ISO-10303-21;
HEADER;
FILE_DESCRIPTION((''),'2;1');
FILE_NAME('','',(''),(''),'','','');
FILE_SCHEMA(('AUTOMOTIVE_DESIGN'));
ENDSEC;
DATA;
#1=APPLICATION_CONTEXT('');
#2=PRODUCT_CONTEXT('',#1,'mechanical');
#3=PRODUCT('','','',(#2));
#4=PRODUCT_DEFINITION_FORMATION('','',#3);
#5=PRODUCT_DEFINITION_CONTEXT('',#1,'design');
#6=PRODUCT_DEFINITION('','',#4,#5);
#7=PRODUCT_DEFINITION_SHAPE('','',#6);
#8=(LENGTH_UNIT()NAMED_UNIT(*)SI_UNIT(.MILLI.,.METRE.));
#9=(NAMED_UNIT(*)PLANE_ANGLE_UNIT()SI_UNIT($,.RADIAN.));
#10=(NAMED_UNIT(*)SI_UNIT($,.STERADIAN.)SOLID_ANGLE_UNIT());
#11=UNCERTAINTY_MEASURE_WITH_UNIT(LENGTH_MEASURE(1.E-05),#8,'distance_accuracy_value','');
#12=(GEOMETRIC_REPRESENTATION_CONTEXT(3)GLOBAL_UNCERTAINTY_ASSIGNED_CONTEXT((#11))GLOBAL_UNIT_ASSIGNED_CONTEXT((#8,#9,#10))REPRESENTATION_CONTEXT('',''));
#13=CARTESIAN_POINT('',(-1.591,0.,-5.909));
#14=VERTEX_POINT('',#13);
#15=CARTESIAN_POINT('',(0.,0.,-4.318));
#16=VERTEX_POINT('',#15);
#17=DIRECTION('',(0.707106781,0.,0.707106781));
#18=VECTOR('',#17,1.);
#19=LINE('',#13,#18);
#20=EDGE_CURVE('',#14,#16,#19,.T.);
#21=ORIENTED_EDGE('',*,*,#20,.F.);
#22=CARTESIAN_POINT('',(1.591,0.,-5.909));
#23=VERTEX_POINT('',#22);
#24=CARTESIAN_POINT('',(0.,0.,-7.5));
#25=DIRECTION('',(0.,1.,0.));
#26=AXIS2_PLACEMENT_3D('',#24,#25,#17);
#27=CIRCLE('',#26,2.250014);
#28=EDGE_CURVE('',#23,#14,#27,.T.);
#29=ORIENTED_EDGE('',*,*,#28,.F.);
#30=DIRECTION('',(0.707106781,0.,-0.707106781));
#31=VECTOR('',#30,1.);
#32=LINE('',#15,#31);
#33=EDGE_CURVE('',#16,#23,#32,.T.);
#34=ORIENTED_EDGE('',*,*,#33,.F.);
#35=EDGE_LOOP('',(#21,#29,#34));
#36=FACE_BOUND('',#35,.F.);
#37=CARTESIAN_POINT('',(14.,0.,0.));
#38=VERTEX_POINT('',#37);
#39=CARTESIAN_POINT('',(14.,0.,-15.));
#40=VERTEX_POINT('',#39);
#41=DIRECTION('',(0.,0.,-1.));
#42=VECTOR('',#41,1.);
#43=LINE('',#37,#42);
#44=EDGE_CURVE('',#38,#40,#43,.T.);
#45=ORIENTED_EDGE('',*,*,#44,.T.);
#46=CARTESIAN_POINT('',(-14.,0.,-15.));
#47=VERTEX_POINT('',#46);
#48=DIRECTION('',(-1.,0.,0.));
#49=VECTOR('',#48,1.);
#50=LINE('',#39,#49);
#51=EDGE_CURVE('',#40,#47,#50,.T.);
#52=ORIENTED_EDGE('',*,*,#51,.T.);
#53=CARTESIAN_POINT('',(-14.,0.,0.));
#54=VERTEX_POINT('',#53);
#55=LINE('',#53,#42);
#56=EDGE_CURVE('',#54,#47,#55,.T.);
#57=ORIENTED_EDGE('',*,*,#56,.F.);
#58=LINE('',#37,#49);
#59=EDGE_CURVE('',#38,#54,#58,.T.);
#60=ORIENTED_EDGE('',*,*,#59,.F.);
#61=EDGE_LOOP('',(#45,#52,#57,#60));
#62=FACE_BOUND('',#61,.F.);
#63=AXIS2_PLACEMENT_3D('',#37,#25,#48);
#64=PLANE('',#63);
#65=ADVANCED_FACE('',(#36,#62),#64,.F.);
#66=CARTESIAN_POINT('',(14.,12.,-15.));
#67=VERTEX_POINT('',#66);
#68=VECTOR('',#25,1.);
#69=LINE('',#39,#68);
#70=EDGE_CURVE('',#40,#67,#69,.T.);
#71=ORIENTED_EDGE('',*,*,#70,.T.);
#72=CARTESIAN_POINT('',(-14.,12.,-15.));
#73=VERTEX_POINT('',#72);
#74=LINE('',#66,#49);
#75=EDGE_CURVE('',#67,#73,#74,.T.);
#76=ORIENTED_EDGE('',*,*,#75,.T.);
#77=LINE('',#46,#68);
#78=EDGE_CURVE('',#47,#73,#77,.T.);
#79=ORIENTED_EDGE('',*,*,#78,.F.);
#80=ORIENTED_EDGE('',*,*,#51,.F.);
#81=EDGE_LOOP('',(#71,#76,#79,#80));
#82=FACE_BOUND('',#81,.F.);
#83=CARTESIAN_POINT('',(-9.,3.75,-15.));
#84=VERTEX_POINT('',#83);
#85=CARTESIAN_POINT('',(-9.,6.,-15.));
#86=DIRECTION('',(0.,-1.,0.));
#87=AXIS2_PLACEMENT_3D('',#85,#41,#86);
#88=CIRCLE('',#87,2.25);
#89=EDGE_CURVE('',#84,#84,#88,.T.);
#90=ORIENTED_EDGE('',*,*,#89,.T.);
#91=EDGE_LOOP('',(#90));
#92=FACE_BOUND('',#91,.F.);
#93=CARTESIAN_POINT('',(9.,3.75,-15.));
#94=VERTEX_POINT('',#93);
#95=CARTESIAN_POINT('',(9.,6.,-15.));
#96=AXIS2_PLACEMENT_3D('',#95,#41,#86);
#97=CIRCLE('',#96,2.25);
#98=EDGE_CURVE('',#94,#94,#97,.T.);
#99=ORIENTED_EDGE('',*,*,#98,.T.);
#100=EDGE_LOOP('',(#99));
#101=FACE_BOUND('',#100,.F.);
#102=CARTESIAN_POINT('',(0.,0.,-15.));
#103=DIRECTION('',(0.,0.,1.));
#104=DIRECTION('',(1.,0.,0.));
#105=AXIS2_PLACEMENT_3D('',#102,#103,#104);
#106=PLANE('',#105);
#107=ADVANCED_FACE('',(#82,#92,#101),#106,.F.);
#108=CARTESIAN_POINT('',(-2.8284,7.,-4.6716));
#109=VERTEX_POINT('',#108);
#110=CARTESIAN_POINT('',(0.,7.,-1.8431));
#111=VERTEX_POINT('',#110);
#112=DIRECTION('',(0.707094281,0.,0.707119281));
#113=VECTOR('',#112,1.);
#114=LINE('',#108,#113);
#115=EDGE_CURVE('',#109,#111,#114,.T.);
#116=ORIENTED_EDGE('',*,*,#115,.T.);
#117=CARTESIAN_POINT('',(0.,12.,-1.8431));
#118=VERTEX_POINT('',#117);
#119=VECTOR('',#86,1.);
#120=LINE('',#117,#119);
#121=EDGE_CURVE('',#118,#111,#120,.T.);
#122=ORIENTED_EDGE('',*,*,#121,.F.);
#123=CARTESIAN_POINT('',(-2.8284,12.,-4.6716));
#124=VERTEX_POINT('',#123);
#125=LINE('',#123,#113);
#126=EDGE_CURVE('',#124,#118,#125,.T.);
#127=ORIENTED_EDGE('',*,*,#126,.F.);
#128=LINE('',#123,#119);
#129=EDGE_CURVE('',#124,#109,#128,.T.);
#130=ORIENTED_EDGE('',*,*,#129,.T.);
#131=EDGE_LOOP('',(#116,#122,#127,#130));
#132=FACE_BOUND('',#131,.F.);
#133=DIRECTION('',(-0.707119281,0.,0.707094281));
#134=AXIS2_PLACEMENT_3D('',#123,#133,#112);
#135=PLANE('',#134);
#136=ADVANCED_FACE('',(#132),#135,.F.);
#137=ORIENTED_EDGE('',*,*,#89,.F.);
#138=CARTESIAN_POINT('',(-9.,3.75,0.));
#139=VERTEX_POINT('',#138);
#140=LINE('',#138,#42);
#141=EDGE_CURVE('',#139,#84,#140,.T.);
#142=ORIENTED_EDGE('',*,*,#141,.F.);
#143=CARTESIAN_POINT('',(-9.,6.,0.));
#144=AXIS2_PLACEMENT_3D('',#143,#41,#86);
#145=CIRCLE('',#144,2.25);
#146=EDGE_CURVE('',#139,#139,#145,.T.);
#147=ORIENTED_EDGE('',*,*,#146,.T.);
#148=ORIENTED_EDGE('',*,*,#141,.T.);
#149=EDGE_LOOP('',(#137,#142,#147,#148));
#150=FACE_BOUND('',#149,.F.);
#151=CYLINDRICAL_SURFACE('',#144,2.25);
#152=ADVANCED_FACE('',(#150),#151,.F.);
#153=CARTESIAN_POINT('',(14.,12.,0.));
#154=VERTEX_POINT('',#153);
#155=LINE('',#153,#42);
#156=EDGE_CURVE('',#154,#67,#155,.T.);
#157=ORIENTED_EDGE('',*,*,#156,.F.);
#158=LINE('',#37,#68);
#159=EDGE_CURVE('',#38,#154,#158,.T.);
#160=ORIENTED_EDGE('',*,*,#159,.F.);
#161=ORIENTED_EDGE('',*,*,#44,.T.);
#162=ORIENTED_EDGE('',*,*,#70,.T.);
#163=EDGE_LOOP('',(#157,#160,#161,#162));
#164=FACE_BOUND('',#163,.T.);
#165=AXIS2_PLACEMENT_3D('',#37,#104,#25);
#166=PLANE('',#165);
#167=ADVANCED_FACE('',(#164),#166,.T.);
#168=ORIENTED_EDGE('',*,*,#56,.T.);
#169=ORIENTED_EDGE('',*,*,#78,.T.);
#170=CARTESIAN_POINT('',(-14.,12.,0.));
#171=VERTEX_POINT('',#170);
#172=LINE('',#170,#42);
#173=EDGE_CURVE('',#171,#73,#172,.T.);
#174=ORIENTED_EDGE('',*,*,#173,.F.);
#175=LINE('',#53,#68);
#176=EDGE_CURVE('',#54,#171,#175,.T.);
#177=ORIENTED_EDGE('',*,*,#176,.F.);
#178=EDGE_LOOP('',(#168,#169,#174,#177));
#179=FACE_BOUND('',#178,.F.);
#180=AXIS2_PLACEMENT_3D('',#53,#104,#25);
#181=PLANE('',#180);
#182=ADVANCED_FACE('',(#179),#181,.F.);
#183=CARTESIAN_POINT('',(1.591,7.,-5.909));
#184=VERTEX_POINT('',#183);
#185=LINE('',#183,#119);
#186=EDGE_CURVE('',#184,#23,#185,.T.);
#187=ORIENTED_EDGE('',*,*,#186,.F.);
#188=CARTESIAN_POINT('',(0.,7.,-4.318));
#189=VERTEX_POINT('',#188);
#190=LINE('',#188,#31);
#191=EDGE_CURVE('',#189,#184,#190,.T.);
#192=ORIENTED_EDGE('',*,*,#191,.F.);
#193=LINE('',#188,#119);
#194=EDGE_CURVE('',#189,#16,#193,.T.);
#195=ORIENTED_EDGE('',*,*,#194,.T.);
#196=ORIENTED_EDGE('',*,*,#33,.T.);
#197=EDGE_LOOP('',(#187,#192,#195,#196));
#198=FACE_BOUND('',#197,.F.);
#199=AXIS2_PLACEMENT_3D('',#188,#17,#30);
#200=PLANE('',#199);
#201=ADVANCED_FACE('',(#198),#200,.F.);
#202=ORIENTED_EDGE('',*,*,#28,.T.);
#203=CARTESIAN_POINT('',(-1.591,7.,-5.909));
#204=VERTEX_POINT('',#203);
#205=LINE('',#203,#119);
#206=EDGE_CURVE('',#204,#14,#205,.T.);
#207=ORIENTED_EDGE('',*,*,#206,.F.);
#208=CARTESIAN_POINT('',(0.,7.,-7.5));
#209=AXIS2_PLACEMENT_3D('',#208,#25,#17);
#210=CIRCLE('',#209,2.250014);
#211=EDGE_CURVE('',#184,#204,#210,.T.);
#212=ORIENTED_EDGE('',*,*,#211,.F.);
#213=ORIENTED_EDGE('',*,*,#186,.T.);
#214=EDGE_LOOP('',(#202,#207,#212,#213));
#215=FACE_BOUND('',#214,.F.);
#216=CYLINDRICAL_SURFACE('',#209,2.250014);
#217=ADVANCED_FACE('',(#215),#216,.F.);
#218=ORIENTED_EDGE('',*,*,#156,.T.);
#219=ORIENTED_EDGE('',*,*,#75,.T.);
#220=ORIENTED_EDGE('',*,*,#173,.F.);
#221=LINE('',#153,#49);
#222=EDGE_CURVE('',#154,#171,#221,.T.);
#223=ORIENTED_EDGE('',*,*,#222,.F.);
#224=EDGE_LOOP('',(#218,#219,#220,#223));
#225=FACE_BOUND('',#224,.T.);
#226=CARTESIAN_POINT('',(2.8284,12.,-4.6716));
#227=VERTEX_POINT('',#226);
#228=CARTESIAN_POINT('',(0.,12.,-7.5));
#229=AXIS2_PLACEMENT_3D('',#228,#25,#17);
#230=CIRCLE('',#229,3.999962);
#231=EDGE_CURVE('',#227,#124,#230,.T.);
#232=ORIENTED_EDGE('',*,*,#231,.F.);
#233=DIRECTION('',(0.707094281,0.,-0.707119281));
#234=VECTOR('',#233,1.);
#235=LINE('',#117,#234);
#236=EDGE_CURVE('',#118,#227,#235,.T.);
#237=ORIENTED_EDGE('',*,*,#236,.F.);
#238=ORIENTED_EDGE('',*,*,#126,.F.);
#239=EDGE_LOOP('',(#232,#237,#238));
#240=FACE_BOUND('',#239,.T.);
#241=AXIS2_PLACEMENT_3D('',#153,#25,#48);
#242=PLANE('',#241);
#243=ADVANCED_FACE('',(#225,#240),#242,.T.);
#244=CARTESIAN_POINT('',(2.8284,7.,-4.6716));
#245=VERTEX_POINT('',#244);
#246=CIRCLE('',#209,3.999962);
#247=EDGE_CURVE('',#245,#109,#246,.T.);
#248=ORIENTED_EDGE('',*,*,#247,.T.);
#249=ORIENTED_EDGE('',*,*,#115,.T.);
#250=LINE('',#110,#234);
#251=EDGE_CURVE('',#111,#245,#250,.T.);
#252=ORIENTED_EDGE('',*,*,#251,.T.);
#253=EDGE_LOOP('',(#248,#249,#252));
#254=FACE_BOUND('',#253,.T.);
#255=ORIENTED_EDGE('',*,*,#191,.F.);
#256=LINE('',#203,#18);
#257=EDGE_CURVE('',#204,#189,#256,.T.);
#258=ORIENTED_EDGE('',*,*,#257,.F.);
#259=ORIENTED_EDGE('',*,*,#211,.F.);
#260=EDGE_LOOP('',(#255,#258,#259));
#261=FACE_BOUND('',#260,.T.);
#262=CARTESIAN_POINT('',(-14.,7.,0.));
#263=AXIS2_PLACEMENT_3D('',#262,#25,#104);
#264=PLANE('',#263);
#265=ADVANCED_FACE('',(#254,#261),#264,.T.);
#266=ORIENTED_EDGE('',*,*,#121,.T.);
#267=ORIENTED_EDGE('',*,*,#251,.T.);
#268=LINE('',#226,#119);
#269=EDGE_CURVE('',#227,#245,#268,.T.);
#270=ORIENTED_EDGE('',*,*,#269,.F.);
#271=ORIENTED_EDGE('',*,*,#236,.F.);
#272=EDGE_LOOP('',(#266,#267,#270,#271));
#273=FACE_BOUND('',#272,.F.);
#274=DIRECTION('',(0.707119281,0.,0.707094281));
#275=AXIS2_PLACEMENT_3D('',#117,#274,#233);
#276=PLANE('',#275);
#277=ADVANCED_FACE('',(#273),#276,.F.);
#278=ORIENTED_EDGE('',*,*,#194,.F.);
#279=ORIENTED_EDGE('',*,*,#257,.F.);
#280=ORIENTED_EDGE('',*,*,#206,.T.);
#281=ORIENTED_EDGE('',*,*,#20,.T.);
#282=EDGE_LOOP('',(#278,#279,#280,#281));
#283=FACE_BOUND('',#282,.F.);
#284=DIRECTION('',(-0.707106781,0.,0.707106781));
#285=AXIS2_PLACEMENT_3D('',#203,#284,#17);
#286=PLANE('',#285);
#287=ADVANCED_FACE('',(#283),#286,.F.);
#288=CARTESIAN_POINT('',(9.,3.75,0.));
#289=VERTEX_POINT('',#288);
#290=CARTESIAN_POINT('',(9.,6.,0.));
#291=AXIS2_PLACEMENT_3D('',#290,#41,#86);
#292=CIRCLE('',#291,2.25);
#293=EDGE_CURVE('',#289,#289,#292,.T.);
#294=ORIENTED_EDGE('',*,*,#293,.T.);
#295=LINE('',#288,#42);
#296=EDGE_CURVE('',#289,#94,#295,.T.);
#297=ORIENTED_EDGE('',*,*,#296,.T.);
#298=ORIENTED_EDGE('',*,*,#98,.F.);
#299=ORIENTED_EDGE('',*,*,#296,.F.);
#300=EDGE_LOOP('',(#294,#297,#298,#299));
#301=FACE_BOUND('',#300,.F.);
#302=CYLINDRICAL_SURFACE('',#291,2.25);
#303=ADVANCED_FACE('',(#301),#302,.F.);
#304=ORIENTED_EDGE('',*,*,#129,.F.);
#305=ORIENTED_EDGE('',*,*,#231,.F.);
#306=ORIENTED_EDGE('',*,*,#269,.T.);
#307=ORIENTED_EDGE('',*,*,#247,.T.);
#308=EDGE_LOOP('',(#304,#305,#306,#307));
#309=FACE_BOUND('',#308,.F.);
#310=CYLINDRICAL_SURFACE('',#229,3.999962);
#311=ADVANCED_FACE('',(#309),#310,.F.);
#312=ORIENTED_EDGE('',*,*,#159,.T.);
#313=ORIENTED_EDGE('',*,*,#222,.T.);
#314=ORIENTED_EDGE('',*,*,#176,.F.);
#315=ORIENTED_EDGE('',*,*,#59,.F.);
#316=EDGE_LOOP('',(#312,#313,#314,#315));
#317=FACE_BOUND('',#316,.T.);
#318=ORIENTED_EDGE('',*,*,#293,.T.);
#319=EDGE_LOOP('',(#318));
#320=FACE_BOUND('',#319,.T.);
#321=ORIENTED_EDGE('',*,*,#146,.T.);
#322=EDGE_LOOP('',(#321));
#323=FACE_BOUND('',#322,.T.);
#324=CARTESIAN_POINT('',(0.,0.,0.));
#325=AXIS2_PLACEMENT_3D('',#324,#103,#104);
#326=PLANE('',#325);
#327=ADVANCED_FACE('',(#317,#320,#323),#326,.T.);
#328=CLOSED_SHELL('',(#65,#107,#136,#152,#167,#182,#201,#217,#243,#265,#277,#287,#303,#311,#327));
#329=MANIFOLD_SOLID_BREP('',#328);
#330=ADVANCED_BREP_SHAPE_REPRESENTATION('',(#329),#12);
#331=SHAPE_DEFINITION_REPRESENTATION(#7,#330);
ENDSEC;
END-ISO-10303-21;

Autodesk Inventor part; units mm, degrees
ref_plane "YZ Plane" through (0, 0, 0) normal (1, 0, 0) x (0, 1, 0)
ref_plane "XZ Plane" through (0, 0, 0) normal (0, 1, 0) x (-1, 0, 0)
ref_plane "XY Plane" through (0, 0, 0) normal (0, 0, 1) x (1, 0, 0)
sketch "Sketch1" plane through (0, 0, 0) normal (0, 0, 1) x (1, 0, 0)
  line L0 (-14, 0) -> (-14, 12)
  line L1 (14, 0) -> (14, 12)
  line L2 (14, 0) -> (-14, 0)
  line L3 (14, 12) -> (-14, 12)
extrude "Extrusion3" add sketch "Sketch1" against normal blind 15 draft 0
sketch "Sketch2" plane through (-14, 12, 0) normal (0, 1, 0) x (1, 0, 0)
  arc A0 (16.8284, 4.6716) -> (11.1716, 4.6716) centre (14, 7.5) ccw
  line L0 (11.1716, 4.6716) -> (14, 1.8431)
  line L1 (14, 1.8431) -> (16.8284, 4.6716)
extrude "Extrusion2" cut sketch "Sketch2" against normal blind 5
sketch "Sketch3" plane through (-14, 7, 0) normal (0, 1, 0) x (1, 0, 0)
  arc A0 (15.591, 5.909) -> (12.409, 5.909) centre (14, 7.5) ccw
  line L0 (12.409, 5.909) -> (14, 4.318)
  line L1 (14, 4.318) -> (15.591, 5.909)
extrude "Extrusion1" cut sketch "Sketch3" against normal blind 7
hole "Hole2" at (9, 6, 0) direction (0, 0, -1) diameter 4.5 depth 15
sketch "Sketch4" plane through (0, 0, 0) normal (0, 0, 1) x (1, 0, 0)
  point P0 (9, 6)
hole "Hole1" at (-9, 6, 0) direction (0, 0, -1) diameter 4.5 depth 15
sketch "Sketch5" plane through (0, 0, 0) normal (0, 0, 1) x (1, 0, 0)
  point P0 (-9, 6)
properties part number "X-axis Holder coupler" material "ASA Plastic"
